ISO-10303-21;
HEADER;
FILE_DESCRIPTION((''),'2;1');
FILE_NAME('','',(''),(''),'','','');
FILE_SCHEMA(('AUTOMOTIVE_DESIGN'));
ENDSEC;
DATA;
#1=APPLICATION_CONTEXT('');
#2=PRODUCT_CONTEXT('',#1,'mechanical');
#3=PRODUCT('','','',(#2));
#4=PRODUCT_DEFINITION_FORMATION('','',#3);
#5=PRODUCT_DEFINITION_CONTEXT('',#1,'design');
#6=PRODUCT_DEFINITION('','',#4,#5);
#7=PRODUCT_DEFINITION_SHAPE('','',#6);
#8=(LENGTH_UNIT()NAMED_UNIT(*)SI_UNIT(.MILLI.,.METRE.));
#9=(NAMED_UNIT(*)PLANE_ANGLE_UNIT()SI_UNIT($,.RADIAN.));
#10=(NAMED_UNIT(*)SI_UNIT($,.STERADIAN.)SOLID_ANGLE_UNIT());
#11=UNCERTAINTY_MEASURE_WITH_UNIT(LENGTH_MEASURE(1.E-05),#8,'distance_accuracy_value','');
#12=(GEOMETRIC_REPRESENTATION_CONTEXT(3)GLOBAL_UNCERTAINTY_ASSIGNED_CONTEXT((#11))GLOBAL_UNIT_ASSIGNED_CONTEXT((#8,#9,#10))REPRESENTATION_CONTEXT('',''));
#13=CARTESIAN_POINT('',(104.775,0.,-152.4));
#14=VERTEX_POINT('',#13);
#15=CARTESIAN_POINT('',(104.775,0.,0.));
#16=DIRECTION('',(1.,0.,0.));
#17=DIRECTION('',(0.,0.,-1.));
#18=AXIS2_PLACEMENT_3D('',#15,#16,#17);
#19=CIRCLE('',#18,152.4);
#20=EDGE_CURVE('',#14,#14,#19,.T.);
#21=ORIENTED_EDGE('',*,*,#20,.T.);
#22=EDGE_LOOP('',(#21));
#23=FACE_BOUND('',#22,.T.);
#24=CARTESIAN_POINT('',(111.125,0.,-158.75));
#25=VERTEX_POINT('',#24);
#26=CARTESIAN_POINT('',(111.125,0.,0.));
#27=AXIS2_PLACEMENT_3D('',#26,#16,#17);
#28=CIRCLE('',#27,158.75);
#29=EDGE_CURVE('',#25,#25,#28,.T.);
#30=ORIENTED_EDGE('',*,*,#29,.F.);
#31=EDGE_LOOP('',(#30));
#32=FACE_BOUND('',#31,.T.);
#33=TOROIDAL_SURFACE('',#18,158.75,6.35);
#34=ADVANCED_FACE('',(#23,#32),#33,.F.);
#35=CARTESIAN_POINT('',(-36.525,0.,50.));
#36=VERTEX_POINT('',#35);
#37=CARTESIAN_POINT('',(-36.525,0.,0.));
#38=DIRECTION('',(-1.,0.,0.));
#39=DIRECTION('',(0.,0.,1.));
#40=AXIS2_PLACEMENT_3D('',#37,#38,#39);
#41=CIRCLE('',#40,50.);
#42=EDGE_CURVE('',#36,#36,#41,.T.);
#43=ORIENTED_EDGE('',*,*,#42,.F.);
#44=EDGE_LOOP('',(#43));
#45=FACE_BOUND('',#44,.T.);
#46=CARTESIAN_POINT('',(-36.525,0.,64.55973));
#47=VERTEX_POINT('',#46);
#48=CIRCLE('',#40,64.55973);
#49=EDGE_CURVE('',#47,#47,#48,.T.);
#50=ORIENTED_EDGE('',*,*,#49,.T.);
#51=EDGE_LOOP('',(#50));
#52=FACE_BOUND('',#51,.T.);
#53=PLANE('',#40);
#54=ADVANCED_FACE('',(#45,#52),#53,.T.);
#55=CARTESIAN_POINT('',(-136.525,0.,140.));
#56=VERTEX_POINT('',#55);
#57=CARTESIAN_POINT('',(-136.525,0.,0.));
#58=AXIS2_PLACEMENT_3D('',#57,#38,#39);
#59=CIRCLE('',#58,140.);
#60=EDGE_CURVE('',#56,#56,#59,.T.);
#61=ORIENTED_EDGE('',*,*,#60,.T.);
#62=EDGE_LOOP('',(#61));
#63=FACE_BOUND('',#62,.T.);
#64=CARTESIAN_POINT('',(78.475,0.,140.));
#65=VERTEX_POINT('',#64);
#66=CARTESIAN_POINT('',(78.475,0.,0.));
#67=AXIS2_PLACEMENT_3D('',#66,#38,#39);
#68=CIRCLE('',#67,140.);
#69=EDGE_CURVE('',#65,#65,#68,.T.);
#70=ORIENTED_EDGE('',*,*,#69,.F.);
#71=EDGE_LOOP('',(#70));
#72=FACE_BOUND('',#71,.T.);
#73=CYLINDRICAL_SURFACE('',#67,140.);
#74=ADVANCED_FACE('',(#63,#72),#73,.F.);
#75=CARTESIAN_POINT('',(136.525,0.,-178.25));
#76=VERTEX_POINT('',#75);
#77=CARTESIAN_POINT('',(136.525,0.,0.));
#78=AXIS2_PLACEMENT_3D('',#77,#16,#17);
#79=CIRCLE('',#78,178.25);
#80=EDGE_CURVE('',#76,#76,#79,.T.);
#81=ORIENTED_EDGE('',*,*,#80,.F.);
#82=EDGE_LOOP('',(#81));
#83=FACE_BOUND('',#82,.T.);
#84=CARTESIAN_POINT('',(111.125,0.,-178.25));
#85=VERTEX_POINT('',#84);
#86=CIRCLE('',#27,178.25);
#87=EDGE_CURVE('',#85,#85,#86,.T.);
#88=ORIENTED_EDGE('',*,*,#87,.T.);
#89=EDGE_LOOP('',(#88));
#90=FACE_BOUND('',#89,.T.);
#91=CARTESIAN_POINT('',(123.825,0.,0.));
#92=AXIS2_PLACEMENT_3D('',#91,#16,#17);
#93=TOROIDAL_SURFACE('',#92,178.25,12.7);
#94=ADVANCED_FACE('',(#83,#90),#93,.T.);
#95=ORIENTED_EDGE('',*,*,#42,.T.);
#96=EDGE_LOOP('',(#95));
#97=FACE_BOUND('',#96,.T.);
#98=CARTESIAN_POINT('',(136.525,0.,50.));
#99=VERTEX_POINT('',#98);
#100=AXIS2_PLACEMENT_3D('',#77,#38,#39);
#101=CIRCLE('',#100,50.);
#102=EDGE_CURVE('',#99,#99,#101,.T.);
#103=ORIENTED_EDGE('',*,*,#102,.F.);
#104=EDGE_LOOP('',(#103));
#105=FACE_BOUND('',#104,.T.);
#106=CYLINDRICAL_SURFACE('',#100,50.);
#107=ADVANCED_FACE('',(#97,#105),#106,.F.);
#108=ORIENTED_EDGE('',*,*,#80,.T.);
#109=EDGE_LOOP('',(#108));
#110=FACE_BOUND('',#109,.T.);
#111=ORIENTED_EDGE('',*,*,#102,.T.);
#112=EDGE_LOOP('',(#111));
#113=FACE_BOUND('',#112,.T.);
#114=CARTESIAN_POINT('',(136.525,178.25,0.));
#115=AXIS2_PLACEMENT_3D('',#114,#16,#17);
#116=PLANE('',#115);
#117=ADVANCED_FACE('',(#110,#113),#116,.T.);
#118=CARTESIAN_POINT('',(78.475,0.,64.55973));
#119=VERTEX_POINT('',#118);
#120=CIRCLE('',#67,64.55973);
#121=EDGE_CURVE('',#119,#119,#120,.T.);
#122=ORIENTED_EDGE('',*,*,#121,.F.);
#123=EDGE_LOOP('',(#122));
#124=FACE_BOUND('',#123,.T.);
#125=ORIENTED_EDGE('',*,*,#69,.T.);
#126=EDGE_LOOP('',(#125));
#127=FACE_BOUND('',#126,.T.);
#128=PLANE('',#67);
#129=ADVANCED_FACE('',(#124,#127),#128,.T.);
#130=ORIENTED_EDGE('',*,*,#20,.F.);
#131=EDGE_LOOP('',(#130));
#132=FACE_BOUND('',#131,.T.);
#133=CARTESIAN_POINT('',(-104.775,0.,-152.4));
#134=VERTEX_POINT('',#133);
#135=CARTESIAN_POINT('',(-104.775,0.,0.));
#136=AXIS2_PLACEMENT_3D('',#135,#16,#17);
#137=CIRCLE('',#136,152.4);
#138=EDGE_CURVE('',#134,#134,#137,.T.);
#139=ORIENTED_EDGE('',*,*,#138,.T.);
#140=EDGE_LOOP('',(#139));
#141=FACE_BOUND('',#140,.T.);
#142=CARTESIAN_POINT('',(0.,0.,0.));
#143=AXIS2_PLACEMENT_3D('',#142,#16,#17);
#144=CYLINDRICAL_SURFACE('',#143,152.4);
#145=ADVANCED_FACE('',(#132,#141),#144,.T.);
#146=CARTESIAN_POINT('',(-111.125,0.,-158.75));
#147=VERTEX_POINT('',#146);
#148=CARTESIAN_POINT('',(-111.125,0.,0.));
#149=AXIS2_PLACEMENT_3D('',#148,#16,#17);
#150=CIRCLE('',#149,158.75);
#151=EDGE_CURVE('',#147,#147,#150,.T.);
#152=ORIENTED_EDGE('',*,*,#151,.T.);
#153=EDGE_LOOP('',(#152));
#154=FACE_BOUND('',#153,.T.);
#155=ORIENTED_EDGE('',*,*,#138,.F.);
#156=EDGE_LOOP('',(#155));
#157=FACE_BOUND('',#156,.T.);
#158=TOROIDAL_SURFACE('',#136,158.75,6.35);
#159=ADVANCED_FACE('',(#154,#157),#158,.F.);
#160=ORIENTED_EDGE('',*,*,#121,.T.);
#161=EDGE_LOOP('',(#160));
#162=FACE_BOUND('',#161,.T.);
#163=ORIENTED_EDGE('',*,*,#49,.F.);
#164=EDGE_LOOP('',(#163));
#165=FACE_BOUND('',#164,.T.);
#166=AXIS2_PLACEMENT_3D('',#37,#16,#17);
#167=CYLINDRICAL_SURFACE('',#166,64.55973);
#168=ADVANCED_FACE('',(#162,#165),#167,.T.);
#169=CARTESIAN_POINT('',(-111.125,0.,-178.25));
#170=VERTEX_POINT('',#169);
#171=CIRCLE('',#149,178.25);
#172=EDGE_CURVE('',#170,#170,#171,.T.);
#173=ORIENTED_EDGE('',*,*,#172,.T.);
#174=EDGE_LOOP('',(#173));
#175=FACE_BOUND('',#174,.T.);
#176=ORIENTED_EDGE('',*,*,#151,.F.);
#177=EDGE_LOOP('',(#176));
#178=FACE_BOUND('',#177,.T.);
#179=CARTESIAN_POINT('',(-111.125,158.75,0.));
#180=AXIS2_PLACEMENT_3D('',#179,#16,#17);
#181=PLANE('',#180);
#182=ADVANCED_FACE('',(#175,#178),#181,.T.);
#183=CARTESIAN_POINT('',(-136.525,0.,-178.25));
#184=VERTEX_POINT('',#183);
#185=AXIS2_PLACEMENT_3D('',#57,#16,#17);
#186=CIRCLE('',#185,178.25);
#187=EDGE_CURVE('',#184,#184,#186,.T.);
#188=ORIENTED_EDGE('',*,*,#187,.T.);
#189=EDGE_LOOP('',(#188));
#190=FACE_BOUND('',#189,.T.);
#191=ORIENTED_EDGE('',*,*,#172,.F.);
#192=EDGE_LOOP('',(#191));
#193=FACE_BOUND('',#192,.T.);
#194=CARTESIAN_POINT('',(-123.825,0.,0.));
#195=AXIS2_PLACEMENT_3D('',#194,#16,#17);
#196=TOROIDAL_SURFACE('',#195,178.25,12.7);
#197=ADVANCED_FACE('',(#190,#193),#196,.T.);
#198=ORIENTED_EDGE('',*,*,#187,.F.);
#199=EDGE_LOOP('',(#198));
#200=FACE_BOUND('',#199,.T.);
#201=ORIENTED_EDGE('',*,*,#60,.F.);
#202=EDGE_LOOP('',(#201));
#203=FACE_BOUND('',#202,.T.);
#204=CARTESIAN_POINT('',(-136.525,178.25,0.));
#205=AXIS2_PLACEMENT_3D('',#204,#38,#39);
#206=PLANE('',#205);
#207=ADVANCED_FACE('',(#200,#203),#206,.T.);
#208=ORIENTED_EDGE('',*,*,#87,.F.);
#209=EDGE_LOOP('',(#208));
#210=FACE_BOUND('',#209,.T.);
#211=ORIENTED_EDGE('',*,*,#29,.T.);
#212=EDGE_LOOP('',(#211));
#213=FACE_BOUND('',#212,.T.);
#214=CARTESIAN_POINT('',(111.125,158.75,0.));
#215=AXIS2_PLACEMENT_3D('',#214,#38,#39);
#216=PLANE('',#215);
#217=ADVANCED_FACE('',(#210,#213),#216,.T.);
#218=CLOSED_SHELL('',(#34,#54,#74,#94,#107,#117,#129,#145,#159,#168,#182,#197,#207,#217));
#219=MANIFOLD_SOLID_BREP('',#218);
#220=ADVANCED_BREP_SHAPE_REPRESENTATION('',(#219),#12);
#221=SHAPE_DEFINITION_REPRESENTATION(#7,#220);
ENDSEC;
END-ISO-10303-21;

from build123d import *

# Parameters (mm, degrees)
SKETCH2_R           = 50
CUT_EXTRUDE1_DEPTH  = 385.031388791
SKETCH3_R           = 140
CUT_EXTRUDE3_DEPTH  = 215
BOSS_EXTRUDE1_START = 115
SKETCH5_R           = 64.559730184
SKETCH5_R_2         = 50
BOSS_EXTRUDE1_DEPTH = 115


with BuildPart() as part:
    # Sketch1 → Revolve1 (revolve)
    with BuildSketch(Plane.XY):
        with BuildLine():
            Line((104.775, 152.4), (-104.775, 152.4))
            ThreePointArc((-104.775, 152.4), (-109.265128061, 154.259871939), (-111.125, 158.75))
            Line((-111.125, 158.75), (-111.125, 178.25))
            ThreePointArc((-111.125, 178.25), (-123.825, 190.95), (-136.525, 178.25))
            Line((-136.525, 178.25), (-136.525, 0))
            Line((-136.525, 0), (136.525, 0))
            Line((136.525, 0), (136.525, 178.25))
            ThreePointArc((136.525, 178.25), (123.825, 190.95), (111.125, 178.25))
            Line((111.125, 178.25), (111.125, 158.75))
            ThreePointArc((111.125, 158.75), (109.265128061, 154.259871939), (104.775, 152.4))
        make_face()
    revolve(axis=Axis((0, 0, 0), (-1, 0, 0)))

    # Sketch2 → Cut-Extrude1 (cut, through all)
    with BuildSketch(Plane.ZY.offset(136.525)):
        Circle(SKETCH2_R)
    extrude(amount=-CUT_EXTRUDE1_DEPTH, mode=Mode.SUBTRACT)

    # Sketch3 → Cut-Extrude3 (cut)
    with BuildSketch(Plane.ZY.offset(136.525)):
        Circle(SKETCH3_R)
    extrude(amount=-CUT_EXTRUDE3_DEPTH, mode=Mode.SUBTRACT)

    # Sketch5 → Boss-Extrude1 (add)
    with BuildSketch(Plane.ZY.offset(-78.475).offset(BOSS_EXTRUDE1_START)):
        Circle(SKETCH5_R)
        Circle(SKETCH5_R_2, mode=Mode.SUBTRACT)
    extrude(amount=-BOSS_EXTRUDE1_DEPTH)


solid = part.part
